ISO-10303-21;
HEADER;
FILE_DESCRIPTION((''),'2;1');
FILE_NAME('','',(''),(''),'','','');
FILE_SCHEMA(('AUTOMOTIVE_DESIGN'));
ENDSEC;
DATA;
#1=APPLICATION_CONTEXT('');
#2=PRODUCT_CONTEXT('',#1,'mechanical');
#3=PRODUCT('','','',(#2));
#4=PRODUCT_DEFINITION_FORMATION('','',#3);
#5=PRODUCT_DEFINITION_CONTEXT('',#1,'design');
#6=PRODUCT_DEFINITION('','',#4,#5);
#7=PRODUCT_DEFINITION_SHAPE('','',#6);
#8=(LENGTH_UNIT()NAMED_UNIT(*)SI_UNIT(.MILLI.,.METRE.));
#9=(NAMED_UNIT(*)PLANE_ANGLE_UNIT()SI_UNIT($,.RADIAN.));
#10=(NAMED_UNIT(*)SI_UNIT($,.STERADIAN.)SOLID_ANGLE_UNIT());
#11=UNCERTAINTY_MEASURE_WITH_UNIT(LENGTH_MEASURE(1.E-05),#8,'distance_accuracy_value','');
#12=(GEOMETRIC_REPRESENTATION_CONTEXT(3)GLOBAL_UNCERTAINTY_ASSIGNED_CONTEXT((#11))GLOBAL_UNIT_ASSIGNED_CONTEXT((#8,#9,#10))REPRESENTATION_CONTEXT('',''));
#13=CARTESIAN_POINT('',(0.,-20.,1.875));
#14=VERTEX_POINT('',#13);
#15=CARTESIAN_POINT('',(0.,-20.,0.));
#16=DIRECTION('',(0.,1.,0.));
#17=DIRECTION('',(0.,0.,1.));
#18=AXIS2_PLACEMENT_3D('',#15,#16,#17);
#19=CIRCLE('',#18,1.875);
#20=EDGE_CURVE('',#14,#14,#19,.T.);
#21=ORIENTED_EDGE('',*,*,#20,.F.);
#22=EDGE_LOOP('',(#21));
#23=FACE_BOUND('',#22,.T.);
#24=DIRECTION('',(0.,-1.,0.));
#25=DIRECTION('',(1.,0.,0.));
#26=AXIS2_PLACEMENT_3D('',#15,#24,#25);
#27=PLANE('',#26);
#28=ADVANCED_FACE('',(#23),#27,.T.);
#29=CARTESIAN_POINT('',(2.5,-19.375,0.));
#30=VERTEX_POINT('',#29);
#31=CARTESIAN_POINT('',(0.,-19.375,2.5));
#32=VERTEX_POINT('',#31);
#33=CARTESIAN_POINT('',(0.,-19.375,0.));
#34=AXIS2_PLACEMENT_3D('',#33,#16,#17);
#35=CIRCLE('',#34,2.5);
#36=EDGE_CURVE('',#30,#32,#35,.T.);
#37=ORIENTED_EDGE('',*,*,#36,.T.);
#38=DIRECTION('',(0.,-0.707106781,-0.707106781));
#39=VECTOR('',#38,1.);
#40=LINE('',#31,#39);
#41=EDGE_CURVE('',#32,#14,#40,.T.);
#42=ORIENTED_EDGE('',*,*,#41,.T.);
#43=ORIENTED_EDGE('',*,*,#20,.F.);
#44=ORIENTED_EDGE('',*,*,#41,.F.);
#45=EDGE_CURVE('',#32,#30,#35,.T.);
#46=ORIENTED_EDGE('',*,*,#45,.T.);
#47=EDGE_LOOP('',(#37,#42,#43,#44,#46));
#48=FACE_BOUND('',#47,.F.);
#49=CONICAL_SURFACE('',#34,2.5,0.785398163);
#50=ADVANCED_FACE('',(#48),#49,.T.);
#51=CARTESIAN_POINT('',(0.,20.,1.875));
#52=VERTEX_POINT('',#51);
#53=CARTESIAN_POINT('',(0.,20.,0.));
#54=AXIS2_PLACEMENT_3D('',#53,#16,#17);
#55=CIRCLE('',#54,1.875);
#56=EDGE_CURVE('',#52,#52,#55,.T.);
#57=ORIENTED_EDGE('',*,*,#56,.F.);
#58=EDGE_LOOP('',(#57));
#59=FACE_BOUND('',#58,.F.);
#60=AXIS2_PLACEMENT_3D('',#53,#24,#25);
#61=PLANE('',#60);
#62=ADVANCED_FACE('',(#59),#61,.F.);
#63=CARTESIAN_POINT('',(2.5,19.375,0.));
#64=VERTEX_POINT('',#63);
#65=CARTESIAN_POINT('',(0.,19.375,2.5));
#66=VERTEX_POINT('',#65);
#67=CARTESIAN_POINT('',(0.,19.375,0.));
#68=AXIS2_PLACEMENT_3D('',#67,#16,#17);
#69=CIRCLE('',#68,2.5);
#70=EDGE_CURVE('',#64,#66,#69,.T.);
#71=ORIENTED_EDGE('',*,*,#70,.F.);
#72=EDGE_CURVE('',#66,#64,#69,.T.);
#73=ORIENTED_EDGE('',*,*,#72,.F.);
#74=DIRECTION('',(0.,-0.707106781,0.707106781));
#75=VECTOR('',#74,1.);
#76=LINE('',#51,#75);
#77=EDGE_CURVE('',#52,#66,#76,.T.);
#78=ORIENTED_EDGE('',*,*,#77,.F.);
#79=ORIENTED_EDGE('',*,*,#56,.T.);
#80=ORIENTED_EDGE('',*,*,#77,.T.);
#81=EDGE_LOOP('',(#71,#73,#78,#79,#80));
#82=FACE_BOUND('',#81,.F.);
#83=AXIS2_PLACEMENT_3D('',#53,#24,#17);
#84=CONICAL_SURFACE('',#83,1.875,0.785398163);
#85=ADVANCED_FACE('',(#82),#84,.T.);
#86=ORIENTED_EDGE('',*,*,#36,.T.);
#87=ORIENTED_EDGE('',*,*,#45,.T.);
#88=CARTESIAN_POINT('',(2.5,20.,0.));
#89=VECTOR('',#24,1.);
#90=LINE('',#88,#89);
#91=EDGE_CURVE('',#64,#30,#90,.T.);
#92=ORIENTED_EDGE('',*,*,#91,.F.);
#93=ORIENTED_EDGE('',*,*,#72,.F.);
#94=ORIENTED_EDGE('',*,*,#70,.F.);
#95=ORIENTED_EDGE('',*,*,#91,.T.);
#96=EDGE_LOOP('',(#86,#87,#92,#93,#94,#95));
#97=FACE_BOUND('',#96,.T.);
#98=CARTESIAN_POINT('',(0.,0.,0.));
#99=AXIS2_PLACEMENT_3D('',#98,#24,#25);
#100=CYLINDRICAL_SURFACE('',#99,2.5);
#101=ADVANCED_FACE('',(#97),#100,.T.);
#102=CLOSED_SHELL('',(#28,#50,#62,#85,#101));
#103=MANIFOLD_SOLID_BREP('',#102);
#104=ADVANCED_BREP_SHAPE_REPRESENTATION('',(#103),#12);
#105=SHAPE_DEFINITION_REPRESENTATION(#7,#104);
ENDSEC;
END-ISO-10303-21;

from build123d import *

# Parameters (mm, degrees)
SKETCH_R  = 2.5
PAD_DEPTH = 20


with BuildPart() as part:
    # Sketch → Pad (new body, symmetric)
    with BuildSketch(Plane.XZ):
        Circle(SKETCH_R)
    extrude(amount=PAD_DEPTH, both=True)

    # Sketch001 → Groove (revolve, cut)
    with BuildSketch(Plane.YZ):
        Polygon((-20, 4.5), (20, 4.5), (20, 1.875), (19.375, 2.5), (-19.375, 2.5), (-20, 1.875), align=None)
    revolve(axis=Axis((0, 0, 0), (0, 1, 0)), mode=Mode.SUBTRACT)


solid = part.part
